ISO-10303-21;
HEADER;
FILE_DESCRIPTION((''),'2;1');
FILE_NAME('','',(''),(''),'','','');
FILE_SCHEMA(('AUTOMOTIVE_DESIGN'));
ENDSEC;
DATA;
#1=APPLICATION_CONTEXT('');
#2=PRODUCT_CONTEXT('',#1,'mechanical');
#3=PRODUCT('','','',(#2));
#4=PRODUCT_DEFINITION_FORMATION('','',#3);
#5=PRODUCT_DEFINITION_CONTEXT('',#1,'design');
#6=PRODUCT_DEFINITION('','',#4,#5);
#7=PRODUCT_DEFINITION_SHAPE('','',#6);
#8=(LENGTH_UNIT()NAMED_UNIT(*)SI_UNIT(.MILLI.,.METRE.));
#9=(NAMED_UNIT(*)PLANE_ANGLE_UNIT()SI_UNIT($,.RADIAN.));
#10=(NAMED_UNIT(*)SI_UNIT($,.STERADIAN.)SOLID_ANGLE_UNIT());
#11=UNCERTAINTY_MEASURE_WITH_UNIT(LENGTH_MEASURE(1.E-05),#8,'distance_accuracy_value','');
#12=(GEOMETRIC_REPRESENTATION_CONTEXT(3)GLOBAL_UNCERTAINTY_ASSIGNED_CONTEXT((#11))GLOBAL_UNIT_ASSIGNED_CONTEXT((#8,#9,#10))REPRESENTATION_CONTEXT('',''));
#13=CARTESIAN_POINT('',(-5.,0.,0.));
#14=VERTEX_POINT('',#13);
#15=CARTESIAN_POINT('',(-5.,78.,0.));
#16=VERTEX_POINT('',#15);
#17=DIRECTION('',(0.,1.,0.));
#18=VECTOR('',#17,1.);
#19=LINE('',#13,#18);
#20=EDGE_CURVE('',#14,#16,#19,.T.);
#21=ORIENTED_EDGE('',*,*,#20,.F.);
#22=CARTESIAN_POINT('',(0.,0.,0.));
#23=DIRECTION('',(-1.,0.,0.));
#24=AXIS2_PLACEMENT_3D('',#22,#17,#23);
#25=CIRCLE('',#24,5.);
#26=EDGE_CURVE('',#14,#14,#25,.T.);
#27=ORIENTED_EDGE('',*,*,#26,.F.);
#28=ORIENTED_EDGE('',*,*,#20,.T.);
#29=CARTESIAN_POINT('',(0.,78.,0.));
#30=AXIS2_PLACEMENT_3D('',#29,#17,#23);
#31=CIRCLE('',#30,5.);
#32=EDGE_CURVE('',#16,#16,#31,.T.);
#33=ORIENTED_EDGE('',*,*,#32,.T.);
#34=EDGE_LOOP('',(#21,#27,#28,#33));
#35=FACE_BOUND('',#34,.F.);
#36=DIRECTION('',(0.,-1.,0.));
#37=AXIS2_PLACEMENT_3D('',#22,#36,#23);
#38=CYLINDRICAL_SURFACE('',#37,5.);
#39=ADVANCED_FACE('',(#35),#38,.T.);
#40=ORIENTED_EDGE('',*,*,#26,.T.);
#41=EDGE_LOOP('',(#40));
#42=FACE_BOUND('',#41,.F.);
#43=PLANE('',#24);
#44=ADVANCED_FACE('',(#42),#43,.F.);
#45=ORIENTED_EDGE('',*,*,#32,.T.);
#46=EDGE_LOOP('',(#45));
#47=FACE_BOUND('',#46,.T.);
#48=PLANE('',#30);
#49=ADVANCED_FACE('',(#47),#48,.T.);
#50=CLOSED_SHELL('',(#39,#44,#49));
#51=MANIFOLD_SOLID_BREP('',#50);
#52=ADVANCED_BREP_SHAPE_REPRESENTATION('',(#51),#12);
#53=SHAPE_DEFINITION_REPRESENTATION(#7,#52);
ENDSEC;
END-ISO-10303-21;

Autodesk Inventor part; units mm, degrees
ref_plane "YZ Plane" through (0, 0, 0) normal (1, 0, 0) x (0, 1, 0)
ref_plane "XZ Plane" through (0, 0, 0) normal (0, 1, 0) x (-1, 0, 0)
ref_plane "XY Plane" through (0, 0, 0) normal (0, 0, 1) x (1, 0, 0)
sketch "Sketch1" plane through (0, 0, 0) normal (0, 1, 0) x (-1, 0, 0)
  circle A0 centre (0, 0) radius 5
  dimension "d0" = 10
extrude "Extrusion1" add sketch "Sketch1" along normal blind 78
properties part number "peg"
